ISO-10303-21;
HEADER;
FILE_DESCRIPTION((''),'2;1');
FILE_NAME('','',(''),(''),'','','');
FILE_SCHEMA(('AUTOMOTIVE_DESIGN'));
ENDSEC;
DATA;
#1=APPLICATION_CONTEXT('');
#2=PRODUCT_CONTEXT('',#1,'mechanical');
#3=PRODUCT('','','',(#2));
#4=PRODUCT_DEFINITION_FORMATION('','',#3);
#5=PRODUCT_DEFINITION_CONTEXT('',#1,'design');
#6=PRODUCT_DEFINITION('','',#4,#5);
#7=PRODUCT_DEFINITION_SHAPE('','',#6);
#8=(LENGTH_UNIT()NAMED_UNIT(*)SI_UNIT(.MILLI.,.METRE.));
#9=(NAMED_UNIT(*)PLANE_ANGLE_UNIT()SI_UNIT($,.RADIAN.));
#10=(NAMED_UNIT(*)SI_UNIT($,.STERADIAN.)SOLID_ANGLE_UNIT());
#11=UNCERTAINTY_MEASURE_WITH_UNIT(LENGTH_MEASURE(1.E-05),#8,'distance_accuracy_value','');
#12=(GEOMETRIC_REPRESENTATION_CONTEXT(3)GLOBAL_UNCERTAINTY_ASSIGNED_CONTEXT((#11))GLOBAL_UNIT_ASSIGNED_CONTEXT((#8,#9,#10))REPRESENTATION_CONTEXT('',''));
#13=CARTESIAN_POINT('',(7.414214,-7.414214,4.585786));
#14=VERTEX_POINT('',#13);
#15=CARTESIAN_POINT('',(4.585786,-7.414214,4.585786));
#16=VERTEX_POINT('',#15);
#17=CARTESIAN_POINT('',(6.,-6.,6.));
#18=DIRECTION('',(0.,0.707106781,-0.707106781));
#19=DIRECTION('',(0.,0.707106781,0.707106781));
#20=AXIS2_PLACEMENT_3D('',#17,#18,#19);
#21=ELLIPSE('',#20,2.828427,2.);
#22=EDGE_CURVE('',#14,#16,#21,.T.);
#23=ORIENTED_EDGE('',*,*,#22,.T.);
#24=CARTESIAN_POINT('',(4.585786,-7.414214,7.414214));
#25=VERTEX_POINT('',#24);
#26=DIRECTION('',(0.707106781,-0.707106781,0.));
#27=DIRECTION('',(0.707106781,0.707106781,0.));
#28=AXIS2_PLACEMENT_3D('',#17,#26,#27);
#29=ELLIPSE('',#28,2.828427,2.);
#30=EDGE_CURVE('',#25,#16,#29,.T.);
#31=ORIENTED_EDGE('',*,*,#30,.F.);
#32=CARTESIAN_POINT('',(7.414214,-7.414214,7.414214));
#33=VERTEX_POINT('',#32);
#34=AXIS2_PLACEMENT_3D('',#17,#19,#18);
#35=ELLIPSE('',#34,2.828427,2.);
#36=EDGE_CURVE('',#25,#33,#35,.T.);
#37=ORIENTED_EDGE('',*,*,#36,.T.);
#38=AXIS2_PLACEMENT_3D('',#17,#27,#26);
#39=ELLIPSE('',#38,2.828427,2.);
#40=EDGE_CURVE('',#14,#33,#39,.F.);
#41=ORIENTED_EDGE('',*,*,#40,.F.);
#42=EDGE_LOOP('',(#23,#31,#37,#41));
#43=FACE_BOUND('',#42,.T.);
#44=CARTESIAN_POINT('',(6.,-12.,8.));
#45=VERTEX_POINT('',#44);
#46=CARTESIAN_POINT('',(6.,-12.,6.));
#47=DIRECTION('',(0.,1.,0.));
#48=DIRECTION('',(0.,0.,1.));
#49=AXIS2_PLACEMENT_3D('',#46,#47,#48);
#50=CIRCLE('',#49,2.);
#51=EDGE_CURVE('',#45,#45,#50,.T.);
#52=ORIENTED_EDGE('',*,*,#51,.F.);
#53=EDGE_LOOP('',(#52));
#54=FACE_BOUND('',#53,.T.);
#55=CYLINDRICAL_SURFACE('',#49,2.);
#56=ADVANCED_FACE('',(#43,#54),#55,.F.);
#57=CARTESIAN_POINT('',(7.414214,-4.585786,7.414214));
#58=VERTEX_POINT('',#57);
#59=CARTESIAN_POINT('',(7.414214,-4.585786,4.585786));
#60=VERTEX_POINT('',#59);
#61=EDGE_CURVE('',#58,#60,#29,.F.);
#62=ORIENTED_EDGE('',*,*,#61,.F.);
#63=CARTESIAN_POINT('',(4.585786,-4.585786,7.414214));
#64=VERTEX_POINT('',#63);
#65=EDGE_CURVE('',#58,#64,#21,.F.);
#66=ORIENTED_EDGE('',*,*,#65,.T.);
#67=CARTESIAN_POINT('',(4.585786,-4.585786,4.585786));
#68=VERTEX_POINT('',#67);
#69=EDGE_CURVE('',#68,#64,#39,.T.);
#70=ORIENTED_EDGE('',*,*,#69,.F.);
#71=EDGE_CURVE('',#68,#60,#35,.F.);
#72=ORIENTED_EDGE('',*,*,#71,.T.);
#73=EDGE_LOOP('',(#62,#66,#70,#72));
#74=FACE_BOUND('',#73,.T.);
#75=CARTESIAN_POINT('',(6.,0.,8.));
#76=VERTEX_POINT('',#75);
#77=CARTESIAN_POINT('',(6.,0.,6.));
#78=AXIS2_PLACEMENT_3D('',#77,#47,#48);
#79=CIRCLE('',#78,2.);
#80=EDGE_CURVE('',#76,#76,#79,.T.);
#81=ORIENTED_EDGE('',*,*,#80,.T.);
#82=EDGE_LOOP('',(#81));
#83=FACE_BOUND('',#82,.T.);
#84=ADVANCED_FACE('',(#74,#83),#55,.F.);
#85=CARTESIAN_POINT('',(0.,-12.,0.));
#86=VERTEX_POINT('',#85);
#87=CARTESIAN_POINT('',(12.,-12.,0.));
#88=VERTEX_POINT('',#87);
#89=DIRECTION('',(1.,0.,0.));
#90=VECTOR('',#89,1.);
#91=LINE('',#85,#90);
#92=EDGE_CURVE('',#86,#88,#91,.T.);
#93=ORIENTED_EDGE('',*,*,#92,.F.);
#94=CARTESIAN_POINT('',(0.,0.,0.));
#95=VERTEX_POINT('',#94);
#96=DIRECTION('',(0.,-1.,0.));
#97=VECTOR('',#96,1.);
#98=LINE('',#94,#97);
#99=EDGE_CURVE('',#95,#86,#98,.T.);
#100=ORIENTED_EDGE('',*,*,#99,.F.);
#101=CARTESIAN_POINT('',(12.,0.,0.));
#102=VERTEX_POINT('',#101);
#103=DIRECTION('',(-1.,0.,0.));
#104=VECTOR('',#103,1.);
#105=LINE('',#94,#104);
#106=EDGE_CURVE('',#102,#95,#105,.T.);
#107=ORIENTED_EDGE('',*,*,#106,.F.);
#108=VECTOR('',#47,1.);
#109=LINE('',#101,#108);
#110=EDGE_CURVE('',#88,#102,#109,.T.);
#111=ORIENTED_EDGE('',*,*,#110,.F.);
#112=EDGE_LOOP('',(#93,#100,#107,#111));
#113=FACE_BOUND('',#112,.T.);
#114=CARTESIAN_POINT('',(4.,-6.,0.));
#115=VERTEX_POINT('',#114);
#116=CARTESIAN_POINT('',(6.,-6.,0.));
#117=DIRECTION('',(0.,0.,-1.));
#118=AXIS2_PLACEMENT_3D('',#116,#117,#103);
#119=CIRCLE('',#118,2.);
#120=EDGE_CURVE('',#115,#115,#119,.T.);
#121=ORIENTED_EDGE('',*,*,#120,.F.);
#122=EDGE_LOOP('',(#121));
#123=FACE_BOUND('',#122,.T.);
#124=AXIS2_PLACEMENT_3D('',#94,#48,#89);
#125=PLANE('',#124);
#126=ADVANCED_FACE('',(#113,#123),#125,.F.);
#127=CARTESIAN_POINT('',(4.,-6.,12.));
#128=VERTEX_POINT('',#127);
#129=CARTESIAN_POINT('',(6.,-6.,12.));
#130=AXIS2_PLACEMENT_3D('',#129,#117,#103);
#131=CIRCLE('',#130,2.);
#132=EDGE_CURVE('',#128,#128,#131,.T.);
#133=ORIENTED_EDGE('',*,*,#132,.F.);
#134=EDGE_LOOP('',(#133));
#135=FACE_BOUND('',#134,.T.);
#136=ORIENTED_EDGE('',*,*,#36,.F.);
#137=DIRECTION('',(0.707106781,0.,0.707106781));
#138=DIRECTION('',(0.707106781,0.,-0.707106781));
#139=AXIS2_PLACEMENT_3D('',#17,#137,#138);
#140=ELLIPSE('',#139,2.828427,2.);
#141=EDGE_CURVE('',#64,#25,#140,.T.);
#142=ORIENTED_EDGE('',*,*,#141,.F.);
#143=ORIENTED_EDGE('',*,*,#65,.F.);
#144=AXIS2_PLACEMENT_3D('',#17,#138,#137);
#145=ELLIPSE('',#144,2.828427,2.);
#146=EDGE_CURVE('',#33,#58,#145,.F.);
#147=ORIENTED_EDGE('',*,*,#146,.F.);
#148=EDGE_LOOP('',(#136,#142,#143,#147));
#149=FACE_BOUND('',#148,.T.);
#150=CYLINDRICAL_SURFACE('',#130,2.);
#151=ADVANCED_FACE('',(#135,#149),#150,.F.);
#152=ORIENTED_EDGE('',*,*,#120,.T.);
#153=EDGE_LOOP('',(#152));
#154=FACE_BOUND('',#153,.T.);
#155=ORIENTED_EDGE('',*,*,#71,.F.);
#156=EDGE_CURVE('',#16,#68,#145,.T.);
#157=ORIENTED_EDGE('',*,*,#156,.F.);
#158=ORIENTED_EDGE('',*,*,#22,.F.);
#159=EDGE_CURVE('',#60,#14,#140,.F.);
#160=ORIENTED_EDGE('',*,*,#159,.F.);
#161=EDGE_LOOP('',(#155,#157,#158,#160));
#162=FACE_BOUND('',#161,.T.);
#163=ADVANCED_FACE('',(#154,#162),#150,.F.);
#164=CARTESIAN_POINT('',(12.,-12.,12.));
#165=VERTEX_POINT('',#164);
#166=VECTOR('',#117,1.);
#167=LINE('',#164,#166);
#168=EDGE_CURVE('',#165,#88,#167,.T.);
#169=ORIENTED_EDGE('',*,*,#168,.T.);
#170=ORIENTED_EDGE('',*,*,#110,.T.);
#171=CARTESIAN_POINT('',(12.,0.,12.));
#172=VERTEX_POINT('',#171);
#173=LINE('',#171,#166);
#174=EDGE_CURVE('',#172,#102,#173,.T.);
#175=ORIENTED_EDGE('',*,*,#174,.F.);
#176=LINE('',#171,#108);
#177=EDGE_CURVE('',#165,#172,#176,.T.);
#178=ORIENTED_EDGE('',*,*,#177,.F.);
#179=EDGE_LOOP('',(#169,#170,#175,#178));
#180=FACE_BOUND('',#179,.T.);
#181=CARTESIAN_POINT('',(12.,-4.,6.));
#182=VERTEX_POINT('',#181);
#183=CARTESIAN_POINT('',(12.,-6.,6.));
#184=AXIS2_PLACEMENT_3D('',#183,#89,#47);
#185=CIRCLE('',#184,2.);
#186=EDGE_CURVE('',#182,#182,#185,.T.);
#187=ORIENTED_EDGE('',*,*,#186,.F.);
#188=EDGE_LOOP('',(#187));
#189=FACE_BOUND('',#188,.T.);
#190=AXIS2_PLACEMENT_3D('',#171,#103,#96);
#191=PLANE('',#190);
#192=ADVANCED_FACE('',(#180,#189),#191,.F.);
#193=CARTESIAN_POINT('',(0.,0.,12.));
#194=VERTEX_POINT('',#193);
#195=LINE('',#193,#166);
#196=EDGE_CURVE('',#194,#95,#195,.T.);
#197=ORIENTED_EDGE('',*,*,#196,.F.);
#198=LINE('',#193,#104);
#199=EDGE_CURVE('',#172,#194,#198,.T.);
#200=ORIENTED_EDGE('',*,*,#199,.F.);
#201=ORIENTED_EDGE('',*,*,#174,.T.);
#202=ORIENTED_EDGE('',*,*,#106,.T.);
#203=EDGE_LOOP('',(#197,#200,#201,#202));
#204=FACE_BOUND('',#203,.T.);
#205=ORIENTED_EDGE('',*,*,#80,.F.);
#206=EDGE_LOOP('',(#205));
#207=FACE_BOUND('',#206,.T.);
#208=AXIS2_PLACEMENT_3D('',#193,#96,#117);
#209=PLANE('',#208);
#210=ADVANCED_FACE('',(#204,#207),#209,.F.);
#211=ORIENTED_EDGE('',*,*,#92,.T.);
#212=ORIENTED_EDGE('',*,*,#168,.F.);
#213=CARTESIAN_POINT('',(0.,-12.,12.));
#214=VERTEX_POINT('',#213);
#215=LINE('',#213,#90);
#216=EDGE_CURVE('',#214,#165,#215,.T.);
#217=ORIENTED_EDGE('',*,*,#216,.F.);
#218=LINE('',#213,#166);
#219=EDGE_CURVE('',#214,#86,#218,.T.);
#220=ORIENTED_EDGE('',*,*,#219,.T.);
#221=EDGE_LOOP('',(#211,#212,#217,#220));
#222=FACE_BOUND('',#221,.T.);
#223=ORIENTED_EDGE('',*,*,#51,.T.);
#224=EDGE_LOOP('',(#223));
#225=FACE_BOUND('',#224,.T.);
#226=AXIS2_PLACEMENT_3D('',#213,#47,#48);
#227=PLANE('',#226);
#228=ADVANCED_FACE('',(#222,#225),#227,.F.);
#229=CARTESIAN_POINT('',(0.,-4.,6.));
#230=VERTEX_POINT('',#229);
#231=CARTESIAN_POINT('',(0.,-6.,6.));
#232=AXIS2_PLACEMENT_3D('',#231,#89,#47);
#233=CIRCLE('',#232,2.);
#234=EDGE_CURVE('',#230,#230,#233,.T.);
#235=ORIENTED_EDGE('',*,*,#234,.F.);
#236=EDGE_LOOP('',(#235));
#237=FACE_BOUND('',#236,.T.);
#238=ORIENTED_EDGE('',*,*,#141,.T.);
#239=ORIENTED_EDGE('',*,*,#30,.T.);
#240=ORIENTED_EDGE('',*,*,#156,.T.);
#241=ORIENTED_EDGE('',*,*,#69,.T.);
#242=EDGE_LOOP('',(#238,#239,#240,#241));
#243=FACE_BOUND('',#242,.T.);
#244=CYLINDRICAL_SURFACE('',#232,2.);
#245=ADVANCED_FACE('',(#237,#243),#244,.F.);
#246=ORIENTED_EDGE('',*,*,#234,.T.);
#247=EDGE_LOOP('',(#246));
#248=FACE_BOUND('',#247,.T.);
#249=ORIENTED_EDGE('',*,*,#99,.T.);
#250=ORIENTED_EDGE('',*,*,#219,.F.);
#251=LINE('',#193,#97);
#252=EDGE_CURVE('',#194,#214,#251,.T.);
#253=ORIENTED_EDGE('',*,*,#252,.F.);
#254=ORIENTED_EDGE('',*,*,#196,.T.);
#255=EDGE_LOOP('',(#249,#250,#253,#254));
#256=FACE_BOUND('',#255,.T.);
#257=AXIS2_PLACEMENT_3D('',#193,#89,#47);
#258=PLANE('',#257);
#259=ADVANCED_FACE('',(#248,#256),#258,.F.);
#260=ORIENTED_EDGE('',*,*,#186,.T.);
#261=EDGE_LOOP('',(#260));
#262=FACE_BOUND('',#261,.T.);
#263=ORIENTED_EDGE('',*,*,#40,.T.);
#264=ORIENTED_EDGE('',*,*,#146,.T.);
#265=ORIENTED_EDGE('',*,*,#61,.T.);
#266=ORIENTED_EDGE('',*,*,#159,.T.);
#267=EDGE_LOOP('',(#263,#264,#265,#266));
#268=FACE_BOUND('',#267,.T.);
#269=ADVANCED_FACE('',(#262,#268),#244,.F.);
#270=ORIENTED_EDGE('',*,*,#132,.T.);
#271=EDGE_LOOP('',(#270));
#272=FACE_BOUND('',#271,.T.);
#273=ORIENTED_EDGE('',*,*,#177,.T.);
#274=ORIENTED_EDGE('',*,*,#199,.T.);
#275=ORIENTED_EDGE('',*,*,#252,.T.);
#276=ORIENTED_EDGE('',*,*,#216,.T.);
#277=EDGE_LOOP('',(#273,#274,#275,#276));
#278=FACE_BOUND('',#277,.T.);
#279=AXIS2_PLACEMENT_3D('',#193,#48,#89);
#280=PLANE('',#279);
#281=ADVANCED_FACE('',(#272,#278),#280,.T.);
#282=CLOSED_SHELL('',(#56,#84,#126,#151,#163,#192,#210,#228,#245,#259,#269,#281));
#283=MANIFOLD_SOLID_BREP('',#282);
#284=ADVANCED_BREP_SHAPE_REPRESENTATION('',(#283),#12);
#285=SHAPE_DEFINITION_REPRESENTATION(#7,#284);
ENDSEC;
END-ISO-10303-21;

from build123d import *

# Parameters (mm, degrees)
SKETCH_1_W          = 12
SKETCH_1_H          = 12
EXTRUDE_1_DEPTH     = 12
SKETCH_2_R          = 2
CUT_EXTRUDE_1_DEPTH = 21.784609691
SKETCH_3_R          = 2
CUT_EXTRUDE_2_DEPTH = 21.784609691
SKETCH_4_R          = 2
CUT_EXTRUDE_3_DEPTH = 21.784609691


with BuildPart() as part:
    # 草图1 → 凸台-拉伸1 (new body)
    with BuildSketch(Plane.XY):
        with Locations((6, -6)):
            Rectangle(SKETCH_1_W, SKETCH_1_H)
    extrude(amount=EXTRUDE_1_DEPTH)

    # 草图2 → 切除-拉伸1 (cut, through all)
    with BuildSketch(Plane(origin=(12, 0, 0), x_dir=(0, 0, -1), z_dir=(1, 0, 0))):
        with Locations(Location((-6, -6, 0), (0, 0, 90))):
            Circle(SKETCH_2_R)
    extrude(amount=-CUT_EXTRUDE_1_DEPTH, mode=Mode.SUBTRACT)

    # 草图3 → 切除-拉伸2 (cut, through all)
    with BuildSketch(Plane(origin=(0, 0, 0), x_dir=(1, 0, 0), z_dir=(0, 1, 0))):
        with Locations(Location((6, -6, 0), (0, 0, 270))):
            Circle(SKETCH_3_R)
    extrude(amount=-CUT_EXTRUDE_2_DEPTH, mode=Mode.SUBTRACT)

    # 草图4 → 切除-拉伸3 (cut, through all)
    with BuildSketch(Plane(origin=(0, 0, 0), x_dir=(-1, 0, 0), z_dir=(0, 0, -1))):
        with Locations((-6, -6)):
            Circle(SKETCH_4_R)
    extrude(amount=-CUT_EXTRUDE_3_DEPTH, mode=Mode.SUBTRACT)


solid = part.part
